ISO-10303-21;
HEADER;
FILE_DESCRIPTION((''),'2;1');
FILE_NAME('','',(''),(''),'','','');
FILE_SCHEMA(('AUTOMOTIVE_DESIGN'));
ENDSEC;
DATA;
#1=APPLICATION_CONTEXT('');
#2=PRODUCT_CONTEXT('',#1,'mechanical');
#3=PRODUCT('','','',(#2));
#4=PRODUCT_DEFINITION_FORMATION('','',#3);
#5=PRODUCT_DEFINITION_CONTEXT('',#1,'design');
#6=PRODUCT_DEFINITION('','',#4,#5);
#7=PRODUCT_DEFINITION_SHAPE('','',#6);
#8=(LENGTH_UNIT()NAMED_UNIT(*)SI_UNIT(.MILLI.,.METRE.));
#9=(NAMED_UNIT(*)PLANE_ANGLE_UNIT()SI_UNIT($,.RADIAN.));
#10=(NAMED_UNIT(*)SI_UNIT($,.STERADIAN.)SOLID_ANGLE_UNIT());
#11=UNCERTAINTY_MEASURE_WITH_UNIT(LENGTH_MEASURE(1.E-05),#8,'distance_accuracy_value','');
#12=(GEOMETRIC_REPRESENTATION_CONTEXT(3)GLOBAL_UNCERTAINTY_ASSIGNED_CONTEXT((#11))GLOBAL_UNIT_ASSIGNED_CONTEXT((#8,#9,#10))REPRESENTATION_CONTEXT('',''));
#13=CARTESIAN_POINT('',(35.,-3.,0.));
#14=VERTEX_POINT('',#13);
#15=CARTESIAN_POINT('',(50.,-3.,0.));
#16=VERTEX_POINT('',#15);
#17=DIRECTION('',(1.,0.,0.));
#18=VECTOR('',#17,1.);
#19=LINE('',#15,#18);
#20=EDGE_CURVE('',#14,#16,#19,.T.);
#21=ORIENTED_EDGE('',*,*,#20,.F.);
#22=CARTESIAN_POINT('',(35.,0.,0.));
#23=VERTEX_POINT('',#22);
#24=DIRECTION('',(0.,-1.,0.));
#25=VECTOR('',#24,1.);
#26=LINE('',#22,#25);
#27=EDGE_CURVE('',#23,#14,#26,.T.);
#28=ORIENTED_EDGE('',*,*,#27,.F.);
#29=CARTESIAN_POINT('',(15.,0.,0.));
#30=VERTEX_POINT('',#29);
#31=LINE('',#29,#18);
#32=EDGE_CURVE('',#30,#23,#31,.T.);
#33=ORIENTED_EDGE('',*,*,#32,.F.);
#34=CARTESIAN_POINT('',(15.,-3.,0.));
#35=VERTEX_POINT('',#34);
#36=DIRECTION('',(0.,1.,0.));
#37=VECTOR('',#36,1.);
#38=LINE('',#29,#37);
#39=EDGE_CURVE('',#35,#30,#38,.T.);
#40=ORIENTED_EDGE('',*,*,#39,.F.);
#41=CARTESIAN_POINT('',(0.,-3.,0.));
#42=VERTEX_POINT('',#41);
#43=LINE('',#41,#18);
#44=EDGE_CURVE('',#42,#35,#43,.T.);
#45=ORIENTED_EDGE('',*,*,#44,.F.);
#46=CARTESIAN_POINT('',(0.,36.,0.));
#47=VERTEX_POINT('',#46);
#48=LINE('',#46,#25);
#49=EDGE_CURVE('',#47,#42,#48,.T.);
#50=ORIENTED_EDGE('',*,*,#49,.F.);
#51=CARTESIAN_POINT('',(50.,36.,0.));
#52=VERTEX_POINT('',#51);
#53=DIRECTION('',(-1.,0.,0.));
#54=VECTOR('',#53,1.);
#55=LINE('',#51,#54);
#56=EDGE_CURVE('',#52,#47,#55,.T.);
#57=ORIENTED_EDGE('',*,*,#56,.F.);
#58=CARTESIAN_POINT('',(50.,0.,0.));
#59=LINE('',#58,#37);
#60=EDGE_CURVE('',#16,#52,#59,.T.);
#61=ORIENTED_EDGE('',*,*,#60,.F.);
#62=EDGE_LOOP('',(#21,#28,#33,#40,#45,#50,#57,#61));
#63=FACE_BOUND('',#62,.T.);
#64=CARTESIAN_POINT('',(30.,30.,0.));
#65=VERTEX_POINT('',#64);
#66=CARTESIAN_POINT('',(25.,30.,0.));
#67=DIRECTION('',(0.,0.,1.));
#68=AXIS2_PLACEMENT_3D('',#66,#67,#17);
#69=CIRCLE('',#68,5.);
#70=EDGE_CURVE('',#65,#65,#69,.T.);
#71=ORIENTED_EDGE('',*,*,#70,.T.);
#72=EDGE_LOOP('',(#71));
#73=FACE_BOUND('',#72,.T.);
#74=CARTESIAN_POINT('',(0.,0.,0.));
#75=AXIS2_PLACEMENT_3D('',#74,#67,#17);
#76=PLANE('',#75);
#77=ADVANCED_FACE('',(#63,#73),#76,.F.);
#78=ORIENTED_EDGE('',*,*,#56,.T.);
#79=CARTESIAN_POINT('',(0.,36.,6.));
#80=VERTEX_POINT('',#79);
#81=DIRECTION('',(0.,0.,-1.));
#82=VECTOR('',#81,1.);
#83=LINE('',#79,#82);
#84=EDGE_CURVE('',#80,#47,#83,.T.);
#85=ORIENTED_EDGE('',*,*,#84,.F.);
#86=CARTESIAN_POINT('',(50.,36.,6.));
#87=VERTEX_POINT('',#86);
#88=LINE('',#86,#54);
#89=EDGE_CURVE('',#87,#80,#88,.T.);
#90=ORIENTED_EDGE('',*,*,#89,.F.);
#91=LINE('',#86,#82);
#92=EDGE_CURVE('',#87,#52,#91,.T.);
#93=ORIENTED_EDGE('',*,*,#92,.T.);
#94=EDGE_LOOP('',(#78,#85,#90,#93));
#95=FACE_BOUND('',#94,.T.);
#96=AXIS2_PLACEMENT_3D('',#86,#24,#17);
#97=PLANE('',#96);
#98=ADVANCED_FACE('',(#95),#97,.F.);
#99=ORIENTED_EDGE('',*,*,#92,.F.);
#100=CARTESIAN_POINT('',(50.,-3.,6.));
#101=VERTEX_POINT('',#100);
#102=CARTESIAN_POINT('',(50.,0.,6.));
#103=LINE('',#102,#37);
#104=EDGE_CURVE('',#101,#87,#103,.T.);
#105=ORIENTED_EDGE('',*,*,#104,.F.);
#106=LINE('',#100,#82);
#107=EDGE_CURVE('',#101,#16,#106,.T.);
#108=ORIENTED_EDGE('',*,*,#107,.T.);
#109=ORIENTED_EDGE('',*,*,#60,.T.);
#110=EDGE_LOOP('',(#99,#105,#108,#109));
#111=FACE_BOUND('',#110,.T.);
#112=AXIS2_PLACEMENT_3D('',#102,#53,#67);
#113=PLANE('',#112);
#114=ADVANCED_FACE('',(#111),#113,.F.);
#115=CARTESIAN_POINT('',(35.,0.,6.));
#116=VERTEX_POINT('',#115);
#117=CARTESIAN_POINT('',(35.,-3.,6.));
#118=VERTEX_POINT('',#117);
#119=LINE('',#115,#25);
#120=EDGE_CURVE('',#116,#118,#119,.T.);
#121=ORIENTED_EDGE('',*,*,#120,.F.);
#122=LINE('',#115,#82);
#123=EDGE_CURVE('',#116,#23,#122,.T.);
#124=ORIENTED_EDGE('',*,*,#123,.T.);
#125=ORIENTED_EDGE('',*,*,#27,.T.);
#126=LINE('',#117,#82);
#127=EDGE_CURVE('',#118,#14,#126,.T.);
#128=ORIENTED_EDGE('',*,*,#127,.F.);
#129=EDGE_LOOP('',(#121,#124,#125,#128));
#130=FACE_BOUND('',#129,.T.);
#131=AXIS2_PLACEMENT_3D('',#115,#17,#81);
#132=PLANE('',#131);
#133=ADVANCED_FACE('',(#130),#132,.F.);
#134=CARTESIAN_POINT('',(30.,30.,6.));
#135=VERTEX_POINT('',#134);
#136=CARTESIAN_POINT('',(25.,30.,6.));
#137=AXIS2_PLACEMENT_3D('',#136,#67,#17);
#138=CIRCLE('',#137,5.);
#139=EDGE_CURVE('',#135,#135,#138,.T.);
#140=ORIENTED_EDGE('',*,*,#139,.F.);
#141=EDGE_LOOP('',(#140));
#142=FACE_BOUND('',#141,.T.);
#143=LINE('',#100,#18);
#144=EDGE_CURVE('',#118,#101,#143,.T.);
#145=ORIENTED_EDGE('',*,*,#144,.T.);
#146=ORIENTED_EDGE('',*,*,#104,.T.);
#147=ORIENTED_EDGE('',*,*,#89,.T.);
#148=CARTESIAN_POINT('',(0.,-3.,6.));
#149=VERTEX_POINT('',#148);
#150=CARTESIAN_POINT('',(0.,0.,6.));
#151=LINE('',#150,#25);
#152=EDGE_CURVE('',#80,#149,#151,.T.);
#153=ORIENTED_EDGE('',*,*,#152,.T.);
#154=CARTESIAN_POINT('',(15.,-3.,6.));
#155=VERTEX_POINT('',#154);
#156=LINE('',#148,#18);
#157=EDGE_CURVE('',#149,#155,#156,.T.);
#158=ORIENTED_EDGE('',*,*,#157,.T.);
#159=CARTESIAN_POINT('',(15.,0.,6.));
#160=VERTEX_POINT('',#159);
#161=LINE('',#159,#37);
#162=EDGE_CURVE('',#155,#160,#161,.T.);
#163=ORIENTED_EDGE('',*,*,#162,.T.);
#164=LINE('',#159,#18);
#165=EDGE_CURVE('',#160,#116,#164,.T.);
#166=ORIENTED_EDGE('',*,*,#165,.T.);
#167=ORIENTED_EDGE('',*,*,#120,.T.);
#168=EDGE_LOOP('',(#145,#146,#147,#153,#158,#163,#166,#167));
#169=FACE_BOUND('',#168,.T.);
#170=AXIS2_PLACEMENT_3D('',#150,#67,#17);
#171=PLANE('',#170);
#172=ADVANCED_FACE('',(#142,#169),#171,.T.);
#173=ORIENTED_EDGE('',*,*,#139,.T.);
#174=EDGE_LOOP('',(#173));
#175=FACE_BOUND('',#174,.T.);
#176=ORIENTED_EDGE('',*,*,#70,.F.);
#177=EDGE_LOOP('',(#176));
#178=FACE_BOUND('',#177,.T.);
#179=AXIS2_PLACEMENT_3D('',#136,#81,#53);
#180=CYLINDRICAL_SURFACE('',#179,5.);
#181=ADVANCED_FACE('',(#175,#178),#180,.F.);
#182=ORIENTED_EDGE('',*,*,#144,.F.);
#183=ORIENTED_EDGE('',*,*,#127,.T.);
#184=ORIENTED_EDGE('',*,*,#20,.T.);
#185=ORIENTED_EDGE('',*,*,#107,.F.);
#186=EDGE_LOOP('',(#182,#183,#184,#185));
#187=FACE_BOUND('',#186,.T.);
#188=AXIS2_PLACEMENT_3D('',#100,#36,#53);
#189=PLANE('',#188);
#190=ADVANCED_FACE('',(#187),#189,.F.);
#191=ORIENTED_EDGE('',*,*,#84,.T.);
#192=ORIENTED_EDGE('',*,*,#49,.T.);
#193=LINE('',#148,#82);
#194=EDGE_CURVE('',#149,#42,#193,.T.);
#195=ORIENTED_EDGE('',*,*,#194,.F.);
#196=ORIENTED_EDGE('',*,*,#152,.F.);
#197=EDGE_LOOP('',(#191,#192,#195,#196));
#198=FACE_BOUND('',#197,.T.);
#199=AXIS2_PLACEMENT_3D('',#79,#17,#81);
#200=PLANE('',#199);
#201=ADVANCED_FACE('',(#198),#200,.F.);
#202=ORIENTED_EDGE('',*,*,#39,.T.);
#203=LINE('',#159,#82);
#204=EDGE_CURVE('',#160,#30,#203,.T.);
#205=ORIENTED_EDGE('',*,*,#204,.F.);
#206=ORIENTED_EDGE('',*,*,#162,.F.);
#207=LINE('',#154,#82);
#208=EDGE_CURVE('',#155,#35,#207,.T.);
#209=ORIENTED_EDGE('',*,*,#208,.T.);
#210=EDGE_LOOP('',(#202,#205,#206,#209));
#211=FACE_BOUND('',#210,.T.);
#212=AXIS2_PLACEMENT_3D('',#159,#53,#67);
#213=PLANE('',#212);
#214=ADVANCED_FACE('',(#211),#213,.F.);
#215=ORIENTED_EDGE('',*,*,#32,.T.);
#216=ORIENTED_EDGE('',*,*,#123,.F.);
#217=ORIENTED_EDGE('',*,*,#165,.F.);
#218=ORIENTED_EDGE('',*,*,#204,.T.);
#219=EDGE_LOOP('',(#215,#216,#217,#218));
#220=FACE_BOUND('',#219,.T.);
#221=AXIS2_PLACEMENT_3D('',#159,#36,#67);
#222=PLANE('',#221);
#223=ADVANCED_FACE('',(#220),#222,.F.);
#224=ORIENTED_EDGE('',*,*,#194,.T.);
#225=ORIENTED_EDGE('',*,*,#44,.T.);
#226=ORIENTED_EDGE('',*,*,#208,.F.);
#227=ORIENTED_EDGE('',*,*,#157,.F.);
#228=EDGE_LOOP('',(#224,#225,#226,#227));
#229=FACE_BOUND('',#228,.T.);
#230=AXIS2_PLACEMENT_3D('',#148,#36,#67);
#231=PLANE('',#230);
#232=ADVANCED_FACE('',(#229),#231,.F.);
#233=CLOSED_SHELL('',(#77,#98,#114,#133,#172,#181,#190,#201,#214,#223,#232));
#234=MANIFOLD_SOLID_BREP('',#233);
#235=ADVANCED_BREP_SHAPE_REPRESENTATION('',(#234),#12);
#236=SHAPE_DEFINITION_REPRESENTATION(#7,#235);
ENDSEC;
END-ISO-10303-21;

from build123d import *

# Parameters (mm, degrees)
ESQUISSE1_R        = 5
BOSS_EXTRU_1_DEPTH = 6


with BuildPart() as part:
    # Esquisse1 → Boss.-Extru.1 (new body)
    with BuildSketch(Plane.XY):
        Polygon((15, 0), (35, 0), (35, -3), (50, -3), (50, 0), (50, 36), (0, 36), (0, 0), (0, -3), (15, -3), align=None)
        with Locations((25, 30)):
            Circle(ESQUISSE1_R, mode=Mode.SUBTRACT)
    extrude(amount=BOSS_EXTRU_1_DEPTH)


solid = part.part
